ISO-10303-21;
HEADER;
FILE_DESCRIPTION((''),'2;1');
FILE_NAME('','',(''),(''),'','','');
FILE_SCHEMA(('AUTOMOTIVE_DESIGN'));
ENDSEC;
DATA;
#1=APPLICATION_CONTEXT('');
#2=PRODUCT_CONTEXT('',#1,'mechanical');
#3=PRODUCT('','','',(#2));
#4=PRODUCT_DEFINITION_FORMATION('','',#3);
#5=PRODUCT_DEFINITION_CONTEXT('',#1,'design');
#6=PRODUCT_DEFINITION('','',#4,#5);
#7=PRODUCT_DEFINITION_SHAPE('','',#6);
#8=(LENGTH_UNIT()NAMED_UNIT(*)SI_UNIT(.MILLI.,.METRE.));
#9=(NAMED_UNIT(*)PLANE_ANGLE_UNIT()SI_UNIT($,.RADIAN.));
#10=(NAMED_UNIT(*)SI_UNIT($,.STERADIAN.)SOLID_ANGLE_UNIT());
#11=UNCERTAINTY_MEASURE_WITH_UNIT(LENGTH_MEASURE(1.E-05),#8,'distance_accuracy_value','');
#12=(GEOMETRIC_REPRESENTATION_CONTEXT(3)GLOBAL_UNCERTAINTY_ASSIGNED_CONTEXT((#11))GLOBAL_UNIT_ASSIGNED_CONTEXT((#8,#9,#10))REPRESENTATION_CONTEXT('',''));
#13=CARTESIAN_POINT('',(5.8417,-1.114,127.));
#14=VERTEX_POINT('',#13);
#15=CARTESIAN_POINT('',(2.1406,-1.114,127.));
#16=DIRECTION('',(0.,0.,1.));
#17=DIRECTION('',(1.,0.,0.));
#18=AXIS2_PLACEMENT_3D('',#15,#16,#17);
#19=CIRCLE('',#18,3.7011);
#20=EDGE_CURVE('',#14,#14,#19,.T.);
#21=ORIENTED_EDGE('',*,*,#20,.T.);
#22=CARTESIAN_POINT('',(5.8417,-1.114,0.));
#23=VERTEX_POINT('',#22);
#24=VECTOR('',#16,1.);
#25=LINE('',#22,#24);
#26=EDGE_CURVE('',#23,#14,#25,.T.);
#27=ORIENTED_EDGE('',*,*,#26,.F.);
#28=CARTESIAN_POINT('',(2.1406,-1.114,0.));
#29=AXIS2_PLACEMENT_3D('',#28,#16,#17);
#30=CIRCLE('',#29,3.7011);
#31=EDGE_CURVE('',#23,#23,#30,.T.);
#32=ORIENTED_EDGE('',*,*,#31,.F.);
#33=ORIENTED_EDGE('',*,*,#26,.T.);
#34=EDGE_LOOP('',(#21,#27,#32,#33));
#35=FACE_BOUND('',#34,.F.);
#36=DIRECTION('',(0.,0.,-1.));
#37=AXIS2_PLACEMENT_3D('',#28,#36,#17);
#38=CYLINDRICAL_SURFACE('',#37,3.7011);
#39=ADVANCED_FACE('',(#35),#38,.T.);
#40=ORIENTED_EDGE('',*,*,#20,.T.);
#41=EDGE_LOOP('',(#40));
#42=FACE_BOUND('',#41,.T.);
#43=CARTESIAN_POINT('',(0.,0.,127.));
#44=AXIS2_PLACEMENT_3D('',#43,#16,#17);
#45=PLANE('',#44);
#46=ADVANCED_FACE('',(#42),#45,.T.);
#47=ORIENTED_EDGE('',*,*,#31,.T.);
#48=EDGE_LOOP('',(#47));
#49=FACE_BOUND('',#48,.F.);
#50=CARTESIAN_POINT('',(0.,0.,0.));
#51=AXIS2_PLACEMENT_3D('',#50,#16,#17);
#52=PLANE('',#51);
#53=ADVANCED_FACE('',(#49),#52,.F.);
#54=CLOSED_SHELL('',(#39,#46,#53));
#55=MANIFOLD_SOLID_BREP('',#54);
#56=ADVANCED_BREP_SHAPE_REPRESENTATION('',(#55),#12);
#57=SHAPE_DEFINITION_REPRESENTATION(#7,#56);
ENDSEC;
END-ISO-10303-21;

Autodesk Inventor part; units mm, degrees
ref_plane "YZ Plane" through (0, 0, 0) normal (1, 0, 0) x (0, 1, 0)
ref_plane "XZ Plane" through (0, 0, 0) normal (0, 1, 0) x (-1, 0, 0)
ref_plane "XY Plane" through (0, 0, 0) normal (0, 0, 1) x (1, 0, 0)
sketch "Sketch2" plane through (0, 0, 0) normal (0, 0, 1) x (1, 0, 0)
  circle A0 centre (2.1406, -1.114) radius 3.7011
  point P0 (0, 0)
  dimension "d2" = 127
extrude "Extrusion2" add sketch "Sketch2" along normal blind 127
properties part number "Pipe"
